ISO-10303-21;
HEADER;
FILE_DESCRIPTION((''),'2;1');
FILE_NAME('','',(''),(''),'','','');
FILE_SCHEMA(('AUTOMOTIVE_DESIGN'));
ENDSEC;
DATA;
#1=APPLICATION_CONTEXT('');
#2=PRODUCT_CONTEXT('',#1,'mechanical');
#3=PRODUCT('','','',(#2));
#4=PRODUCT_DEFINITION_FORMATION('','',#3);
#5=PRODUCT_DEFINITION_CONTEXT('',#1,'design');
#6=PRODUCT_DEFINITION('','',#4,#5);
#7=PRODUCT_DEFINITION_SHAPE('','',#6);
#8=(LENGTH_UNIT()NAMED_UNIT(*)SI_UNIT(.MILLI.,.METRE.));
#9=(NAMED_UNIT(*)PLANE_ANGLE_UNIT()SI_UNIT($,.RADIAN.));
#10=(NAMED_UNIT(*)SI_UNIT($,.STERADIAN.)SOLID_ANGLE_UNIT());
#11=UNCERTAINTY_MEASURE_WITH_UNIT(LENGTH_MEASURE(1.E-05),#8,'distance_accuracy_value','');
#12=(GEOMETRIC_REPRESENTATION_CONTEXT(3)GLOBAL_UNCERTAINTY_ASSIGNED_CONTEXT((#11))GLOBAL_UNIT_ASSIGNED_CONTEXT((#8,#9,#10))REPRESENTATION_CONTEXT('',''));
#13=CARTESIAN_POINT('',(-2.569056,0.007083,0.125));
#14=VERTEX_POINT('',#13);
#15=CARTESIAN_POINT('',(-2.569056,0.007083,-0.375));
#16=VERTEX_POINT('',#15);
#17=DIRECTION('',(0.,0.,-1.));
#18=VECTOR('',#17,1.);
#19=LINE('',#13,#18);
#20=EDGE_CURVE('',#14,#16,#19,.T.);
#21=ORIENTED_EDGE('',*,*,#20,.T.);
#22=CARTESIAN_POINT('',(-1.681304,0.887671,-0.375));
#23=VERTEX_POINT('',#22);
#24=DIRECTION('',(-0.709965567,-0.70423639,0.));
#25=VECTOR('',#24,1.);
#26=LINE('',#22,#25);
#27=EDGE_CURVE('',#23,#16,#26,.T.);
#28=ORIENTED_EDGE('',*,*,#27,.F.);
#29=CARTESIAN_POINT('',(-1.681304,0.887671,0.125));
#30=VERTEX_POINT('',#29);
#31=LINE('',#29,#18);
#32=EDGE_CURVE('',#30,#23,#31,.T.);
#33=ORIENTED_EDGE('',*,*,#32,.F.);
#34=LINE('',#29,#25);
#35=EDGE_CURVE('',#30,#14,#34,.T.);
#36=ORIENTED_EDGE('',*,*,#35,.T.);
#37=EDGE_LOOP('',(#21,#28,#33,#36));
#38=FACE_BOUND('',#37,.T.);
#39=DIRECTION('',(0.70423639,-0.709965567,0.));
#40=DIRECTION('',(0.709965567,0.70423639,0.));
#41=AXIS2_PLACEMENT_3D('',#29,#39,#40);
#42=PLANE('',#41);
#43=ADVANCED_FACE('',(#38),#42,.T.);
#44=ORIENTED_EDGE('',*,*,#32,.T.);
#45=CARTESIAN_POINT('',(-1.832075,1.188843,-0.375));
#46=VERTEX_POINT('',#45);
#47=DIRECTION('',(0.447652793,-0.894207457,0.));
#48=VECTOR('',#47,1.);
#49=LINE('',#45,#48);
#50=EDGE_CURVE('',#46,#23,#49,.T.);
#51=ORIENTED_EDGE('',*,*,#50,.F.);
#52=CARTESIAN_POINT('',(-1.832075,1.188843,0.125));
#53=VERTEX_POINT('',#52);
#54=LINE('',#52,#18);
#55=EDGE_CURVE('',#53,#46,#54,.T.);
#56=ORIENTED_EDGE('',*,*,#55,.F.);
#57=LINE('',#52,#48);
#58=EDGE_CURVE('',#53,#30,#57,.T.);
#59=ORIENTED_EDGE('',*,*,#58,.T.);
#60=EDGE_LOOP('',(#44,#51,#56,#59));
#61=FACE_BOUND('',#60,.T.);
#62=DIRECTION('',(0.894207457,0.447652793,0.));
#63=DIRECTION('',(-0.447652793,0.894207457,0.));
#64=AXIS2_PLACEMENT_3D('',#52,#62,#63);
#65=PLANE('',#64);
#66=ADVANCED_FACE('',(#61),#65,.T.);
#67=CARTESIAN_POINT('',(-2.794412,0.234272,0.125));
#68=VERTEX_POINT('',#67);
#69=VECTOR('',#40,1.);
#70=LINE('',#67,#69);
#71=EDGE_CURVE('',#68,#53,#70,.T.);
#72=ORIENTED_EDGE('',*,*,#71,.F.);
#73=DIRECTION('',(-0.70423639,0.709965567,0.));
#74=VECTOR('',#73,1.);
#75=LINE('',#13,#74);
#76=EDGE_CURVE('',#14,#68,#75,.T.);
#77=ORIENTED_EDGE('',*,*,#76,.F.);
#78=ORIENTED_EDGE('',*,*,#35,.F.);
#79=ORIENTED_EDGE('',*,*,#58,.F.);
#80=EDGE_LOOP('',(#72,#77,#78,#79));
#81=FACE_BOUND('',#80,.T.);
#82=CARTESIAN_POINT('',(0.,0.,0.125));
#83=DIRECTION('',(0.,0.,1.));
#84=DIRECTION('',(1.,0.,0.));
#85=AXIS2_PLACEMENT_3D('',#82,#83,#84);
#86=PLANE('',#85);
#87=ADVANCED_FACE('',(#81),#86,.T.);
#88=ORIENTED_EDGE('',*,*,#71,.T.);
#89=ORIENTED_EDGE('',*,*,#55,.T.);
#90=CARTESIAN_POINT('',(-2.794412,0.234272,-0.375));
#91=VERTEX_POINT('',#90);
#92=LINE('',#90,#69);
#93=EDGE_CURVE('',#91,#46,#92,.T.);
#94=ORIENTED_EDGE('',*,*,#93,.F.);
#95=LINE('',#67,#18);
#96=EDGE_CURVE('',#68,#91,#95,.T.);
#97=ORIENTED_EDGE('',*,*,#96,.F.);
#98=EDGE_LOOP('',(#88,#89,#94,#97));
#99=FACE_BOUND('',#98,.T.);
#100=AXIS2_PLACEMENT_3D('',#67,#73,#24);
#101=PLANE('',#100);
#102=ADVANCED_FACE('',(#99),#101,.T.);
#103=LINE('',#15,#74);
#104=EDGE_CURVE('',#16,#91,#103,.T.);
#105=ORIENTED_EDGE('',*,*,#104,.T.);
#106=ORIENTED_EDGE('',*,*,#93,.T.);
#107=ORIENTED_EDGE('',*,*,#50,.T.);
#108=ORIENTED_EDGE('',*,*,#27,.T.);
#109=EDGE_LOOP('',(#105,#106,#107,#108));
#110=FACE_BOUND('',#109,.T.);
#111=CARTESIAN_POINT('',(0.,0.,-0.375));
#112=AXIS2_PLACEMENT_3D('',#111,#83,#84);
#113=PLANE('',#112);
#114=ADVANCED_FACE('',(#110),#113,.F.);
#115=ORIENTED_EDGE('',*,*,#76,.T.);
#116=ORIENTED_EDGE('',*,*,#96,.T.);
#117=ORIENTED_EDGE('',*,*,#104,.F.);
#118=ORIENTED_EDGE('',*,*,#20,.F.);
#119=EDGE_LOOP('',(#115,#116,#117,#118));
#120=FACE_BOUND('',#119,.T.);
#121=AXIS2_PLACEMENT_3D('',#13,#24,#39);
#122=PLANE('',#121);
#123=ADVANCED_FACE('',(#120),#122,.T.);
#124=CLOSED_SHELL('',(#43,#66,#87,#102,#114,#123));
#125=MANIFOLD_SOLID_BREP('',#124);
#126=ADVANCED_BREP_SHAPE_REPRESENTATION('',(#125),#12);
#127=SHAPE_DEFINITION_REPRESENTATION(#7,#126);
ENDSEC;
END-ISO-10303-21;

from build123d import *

# Parameters (mm, degrees)
BOSS_EXTRUDE1_DEPTH = 0.5


with BuildPart() as part:
    # Sketch1 → Boss-Extrude1 (new body)
    with BuildSketch(Plane(origin=(0, 0, -0.375), x_dir=(-1, 0, 0), z_dir=(0, 0, -1))):
        Polygon((1.832075314, 1.188843061), (1.681304445, 0.887671177), (2.56905624, 0.007083233), (2.794411885, 0.234272214), align=None)
    extrude(amount=-BOSS_EXTRUDE1_DEPTH)


solid = part.part
